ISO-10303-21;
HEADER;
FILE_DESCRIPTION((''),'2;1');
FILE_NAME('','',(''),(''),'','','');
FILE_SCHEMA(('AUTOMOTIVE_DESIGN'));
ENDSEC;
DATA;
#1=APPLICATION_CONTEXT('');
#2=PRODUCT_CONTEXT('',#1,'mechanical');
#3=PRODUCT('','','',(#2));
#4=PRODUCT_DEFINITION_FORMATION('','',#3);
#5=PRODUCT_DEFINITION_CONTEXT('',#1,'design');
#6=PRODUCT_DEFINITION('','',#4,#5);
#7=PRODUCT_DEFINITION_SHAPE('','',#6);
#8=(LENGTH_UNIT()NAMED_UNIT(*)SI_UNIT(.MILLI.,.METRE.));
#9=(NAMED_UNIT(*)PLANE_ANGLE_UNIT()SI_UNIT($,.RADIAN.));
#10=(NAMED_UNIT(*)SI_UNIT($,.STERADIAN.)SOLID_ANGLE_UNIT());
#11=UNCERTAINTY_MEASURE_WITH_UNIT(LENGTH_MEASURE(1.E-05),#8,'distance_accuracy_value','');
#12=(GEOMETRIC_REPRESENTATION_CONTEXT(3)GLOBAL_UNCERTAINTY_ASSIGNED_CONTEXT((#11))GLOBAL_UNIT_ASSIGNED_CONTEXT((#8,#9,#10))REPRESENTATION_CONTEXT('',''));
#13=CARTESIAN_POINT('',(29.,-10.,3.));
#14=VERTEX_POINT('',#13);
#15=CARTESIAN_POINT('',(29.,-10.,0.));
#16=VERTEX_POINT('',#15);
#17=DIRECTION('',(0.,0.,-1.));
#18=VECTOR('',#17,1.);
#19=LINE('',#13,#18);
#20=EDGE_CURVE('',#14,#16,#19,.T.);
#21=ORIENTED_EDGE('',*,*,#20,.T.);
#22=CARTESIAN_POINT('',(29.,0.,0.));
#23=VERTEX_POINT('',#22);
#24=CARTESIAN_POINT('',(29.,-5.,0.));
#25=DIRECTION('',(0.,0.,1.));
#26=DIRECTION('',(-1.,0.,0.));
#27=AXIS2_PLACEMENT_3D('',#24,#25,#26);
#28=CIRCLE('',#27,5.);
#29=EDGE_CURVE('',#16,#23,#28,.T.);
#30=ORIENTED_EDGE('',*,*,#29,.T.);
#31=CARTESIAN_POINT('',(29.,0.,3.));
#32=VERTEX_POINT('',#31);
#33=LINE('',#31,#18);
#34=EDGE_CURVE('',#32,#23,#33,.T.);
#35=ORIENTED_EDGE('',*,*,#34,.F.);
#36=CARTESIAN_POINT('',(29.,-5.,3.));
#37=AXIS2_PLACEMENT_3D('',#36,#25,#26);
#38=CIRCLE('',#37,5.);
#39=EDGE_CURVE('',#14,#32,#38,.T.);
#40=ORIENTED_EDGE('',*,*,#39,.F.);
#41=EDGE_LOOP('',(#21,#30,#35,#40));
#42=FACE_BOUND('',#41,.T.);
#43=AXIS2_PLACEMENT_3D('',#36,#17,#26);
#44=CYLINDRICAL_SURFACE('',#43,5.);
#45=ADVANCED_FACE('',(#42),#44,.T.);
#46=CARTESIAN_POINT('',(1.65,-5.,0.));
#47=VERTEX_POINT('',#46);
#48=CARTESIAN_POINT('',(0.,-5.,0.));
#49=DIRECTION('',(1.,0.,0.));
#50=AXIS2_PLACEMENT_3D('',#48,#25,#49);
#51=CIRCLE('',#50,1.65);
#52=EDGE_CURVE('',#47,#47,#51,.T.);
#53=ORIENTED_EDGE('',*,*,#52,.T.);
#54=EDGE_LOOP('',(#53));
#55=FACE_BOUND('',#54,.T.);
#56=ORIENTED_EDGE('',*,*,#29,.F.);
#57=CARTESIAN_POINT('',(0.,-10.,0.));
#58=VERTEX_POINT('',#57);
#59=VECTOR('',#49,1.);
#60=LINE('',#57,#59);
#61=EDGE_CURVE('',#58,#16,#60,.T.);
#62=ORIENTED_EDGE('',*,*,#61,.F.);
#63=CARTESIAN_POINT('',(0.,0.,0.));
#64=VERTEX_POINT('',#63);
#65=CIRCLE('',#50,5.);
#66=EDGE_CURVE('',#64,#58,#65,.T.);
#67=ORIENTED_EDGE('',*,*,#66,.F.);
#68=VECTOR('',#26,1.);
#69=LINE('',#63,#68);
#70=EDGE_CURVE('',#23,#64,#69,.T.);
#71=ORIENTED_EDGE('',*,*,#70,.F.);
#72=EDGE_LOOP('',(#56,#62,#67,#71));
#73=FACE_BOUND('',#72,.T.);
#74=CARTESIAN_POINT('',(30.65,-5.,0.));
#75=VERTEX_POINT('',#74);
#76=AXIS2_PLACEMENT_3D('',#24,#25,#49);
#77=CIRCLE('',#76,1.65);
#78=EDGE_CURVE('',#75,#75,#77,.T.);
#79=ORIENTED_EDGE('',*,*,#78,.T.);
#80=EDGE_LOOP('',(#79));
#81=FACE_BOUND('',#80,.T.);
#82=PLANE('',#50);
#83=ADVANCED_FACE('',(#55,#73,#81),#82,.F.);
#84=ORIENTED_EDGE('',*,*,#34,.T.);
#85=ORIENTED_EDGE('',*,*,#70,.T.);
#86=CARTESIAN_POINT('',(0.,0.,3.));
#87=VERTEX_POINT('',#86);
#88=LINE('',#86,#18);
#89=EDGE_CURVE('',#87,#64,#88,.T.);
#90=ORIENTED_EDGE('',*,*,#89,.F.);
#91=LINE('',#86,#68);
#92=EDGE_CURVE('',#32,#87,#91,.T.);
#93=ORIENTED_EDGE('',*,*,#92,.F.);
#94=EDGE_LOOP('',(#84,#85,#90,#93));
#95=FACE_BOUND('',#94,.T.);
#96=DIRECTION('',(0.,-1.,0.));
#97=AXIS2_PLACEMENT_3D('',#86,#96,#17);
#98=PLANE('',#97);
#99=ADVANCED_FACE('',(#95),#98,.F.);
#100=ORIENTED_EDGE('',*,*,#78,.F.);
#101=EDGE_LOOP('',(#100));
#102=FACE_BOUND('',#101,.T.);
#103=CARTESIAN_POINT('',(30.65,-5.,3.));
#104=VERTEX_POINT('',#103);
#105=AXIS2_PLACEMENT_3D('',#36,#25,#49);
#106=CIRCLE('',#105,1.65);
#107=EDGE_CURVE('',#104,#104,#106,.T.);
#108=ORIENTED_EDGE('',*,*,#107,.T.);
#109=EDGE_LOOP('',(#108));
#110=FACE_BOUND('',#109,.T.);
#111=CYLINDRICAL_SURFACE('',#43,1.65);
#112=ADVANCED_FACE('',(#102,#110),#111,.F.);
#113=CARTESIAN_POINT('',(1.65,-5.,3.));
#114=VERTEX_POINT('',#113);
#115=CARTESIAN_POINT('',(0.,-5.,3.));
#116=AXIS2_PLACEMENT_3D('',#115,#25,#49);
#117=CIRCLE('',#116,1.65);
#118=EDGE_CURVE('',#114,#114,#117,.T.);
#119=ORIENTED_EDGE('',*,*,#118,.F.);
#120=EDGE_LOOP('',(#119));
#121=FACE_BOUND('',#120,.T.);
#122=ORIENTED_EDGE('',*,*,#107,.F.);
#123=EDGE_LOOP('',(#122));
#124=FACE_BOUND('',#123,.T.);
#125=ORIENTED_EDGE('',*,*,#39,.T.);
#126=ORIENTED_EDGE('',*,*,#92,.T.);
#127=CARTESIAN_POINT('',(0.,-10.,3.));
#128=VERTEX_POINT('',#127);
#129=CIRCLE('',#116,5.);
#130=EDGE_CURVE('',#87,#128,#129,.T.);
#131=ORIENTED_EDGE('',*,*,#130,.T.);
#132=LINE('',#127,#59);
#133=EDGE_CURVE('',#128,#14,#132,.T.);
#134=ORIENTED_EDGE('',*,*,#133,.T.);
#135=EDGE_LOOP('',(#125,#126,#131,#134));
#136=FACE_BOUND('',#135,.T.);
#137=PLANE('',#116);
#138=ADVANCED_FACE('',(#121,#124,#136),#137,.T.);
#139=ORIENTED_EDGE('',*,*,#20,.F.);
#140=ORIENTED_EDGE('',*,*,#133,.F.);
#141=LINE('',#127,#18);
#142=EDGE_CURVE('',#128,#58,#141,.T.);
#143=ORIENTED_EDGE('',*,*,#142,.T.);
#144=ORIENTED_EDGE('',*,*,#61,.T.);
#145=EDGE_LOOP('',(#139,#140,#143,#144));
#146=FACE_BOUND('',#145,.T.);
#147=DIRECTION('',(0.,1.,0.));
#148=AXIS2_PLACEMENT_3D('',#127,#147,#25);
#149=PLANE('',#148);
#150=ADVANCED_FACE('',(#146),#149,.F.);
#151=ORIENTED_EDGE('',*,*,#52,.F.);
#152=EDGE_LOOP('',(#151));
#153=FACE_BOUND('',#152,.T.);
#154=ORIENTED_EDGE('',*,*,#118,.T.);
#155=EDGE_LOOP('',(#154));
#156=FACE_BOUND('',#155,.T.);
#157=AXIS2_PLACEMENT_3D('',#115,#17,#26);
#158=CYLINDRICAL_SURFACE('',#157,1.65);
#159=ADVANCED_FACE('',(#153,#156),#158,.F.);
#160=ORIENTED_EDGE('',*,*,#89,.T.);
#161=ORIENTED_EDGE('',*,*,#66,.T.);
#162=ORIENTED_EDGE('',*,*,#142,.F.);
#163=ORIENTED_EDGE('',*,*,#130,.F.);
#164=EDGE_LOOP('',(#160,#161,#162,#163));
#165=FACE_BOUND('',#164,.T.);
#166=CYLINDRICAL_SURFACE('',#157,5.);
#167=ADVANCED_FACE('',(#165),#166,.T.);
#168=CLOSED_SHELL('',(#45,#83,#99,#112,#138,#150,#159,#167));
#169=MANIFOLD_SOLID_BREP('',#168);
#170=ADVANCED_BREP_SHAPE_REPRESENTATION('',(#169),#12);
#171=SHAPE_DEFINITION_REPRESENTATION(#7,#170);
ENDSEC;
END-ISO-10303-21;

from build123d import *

# Parameters (mm, degrees)
SKETCH_1_R      = 1.65
EXTRUDE_1_DEPTH = 3


with BuildPart() as part:
    # 草图1 → 凸台-拉伸1 (new body)
    with BuildSketch(Plane.XY):
        with BuildLine():
            Line((0, 0), (29, 0))
            ThreePointArc((29, 0), (34, -5), (29, -10))
            Line((29, -10), (0, -10))
            ThreePointArc((0, -10), (-5, -5), (0, 0))
        make_face()
        with Locations((0, -5)):
            Circle(SKETCH_1_R, mode=Mode.SUBTRACT)
        with Locations((29, -5)):
            Circle(SKETCH_1_R, mode=Mode.SUBTRACT)
    extrude(amount=EXTRUDE_1_DEPTH)


solid = part.part
